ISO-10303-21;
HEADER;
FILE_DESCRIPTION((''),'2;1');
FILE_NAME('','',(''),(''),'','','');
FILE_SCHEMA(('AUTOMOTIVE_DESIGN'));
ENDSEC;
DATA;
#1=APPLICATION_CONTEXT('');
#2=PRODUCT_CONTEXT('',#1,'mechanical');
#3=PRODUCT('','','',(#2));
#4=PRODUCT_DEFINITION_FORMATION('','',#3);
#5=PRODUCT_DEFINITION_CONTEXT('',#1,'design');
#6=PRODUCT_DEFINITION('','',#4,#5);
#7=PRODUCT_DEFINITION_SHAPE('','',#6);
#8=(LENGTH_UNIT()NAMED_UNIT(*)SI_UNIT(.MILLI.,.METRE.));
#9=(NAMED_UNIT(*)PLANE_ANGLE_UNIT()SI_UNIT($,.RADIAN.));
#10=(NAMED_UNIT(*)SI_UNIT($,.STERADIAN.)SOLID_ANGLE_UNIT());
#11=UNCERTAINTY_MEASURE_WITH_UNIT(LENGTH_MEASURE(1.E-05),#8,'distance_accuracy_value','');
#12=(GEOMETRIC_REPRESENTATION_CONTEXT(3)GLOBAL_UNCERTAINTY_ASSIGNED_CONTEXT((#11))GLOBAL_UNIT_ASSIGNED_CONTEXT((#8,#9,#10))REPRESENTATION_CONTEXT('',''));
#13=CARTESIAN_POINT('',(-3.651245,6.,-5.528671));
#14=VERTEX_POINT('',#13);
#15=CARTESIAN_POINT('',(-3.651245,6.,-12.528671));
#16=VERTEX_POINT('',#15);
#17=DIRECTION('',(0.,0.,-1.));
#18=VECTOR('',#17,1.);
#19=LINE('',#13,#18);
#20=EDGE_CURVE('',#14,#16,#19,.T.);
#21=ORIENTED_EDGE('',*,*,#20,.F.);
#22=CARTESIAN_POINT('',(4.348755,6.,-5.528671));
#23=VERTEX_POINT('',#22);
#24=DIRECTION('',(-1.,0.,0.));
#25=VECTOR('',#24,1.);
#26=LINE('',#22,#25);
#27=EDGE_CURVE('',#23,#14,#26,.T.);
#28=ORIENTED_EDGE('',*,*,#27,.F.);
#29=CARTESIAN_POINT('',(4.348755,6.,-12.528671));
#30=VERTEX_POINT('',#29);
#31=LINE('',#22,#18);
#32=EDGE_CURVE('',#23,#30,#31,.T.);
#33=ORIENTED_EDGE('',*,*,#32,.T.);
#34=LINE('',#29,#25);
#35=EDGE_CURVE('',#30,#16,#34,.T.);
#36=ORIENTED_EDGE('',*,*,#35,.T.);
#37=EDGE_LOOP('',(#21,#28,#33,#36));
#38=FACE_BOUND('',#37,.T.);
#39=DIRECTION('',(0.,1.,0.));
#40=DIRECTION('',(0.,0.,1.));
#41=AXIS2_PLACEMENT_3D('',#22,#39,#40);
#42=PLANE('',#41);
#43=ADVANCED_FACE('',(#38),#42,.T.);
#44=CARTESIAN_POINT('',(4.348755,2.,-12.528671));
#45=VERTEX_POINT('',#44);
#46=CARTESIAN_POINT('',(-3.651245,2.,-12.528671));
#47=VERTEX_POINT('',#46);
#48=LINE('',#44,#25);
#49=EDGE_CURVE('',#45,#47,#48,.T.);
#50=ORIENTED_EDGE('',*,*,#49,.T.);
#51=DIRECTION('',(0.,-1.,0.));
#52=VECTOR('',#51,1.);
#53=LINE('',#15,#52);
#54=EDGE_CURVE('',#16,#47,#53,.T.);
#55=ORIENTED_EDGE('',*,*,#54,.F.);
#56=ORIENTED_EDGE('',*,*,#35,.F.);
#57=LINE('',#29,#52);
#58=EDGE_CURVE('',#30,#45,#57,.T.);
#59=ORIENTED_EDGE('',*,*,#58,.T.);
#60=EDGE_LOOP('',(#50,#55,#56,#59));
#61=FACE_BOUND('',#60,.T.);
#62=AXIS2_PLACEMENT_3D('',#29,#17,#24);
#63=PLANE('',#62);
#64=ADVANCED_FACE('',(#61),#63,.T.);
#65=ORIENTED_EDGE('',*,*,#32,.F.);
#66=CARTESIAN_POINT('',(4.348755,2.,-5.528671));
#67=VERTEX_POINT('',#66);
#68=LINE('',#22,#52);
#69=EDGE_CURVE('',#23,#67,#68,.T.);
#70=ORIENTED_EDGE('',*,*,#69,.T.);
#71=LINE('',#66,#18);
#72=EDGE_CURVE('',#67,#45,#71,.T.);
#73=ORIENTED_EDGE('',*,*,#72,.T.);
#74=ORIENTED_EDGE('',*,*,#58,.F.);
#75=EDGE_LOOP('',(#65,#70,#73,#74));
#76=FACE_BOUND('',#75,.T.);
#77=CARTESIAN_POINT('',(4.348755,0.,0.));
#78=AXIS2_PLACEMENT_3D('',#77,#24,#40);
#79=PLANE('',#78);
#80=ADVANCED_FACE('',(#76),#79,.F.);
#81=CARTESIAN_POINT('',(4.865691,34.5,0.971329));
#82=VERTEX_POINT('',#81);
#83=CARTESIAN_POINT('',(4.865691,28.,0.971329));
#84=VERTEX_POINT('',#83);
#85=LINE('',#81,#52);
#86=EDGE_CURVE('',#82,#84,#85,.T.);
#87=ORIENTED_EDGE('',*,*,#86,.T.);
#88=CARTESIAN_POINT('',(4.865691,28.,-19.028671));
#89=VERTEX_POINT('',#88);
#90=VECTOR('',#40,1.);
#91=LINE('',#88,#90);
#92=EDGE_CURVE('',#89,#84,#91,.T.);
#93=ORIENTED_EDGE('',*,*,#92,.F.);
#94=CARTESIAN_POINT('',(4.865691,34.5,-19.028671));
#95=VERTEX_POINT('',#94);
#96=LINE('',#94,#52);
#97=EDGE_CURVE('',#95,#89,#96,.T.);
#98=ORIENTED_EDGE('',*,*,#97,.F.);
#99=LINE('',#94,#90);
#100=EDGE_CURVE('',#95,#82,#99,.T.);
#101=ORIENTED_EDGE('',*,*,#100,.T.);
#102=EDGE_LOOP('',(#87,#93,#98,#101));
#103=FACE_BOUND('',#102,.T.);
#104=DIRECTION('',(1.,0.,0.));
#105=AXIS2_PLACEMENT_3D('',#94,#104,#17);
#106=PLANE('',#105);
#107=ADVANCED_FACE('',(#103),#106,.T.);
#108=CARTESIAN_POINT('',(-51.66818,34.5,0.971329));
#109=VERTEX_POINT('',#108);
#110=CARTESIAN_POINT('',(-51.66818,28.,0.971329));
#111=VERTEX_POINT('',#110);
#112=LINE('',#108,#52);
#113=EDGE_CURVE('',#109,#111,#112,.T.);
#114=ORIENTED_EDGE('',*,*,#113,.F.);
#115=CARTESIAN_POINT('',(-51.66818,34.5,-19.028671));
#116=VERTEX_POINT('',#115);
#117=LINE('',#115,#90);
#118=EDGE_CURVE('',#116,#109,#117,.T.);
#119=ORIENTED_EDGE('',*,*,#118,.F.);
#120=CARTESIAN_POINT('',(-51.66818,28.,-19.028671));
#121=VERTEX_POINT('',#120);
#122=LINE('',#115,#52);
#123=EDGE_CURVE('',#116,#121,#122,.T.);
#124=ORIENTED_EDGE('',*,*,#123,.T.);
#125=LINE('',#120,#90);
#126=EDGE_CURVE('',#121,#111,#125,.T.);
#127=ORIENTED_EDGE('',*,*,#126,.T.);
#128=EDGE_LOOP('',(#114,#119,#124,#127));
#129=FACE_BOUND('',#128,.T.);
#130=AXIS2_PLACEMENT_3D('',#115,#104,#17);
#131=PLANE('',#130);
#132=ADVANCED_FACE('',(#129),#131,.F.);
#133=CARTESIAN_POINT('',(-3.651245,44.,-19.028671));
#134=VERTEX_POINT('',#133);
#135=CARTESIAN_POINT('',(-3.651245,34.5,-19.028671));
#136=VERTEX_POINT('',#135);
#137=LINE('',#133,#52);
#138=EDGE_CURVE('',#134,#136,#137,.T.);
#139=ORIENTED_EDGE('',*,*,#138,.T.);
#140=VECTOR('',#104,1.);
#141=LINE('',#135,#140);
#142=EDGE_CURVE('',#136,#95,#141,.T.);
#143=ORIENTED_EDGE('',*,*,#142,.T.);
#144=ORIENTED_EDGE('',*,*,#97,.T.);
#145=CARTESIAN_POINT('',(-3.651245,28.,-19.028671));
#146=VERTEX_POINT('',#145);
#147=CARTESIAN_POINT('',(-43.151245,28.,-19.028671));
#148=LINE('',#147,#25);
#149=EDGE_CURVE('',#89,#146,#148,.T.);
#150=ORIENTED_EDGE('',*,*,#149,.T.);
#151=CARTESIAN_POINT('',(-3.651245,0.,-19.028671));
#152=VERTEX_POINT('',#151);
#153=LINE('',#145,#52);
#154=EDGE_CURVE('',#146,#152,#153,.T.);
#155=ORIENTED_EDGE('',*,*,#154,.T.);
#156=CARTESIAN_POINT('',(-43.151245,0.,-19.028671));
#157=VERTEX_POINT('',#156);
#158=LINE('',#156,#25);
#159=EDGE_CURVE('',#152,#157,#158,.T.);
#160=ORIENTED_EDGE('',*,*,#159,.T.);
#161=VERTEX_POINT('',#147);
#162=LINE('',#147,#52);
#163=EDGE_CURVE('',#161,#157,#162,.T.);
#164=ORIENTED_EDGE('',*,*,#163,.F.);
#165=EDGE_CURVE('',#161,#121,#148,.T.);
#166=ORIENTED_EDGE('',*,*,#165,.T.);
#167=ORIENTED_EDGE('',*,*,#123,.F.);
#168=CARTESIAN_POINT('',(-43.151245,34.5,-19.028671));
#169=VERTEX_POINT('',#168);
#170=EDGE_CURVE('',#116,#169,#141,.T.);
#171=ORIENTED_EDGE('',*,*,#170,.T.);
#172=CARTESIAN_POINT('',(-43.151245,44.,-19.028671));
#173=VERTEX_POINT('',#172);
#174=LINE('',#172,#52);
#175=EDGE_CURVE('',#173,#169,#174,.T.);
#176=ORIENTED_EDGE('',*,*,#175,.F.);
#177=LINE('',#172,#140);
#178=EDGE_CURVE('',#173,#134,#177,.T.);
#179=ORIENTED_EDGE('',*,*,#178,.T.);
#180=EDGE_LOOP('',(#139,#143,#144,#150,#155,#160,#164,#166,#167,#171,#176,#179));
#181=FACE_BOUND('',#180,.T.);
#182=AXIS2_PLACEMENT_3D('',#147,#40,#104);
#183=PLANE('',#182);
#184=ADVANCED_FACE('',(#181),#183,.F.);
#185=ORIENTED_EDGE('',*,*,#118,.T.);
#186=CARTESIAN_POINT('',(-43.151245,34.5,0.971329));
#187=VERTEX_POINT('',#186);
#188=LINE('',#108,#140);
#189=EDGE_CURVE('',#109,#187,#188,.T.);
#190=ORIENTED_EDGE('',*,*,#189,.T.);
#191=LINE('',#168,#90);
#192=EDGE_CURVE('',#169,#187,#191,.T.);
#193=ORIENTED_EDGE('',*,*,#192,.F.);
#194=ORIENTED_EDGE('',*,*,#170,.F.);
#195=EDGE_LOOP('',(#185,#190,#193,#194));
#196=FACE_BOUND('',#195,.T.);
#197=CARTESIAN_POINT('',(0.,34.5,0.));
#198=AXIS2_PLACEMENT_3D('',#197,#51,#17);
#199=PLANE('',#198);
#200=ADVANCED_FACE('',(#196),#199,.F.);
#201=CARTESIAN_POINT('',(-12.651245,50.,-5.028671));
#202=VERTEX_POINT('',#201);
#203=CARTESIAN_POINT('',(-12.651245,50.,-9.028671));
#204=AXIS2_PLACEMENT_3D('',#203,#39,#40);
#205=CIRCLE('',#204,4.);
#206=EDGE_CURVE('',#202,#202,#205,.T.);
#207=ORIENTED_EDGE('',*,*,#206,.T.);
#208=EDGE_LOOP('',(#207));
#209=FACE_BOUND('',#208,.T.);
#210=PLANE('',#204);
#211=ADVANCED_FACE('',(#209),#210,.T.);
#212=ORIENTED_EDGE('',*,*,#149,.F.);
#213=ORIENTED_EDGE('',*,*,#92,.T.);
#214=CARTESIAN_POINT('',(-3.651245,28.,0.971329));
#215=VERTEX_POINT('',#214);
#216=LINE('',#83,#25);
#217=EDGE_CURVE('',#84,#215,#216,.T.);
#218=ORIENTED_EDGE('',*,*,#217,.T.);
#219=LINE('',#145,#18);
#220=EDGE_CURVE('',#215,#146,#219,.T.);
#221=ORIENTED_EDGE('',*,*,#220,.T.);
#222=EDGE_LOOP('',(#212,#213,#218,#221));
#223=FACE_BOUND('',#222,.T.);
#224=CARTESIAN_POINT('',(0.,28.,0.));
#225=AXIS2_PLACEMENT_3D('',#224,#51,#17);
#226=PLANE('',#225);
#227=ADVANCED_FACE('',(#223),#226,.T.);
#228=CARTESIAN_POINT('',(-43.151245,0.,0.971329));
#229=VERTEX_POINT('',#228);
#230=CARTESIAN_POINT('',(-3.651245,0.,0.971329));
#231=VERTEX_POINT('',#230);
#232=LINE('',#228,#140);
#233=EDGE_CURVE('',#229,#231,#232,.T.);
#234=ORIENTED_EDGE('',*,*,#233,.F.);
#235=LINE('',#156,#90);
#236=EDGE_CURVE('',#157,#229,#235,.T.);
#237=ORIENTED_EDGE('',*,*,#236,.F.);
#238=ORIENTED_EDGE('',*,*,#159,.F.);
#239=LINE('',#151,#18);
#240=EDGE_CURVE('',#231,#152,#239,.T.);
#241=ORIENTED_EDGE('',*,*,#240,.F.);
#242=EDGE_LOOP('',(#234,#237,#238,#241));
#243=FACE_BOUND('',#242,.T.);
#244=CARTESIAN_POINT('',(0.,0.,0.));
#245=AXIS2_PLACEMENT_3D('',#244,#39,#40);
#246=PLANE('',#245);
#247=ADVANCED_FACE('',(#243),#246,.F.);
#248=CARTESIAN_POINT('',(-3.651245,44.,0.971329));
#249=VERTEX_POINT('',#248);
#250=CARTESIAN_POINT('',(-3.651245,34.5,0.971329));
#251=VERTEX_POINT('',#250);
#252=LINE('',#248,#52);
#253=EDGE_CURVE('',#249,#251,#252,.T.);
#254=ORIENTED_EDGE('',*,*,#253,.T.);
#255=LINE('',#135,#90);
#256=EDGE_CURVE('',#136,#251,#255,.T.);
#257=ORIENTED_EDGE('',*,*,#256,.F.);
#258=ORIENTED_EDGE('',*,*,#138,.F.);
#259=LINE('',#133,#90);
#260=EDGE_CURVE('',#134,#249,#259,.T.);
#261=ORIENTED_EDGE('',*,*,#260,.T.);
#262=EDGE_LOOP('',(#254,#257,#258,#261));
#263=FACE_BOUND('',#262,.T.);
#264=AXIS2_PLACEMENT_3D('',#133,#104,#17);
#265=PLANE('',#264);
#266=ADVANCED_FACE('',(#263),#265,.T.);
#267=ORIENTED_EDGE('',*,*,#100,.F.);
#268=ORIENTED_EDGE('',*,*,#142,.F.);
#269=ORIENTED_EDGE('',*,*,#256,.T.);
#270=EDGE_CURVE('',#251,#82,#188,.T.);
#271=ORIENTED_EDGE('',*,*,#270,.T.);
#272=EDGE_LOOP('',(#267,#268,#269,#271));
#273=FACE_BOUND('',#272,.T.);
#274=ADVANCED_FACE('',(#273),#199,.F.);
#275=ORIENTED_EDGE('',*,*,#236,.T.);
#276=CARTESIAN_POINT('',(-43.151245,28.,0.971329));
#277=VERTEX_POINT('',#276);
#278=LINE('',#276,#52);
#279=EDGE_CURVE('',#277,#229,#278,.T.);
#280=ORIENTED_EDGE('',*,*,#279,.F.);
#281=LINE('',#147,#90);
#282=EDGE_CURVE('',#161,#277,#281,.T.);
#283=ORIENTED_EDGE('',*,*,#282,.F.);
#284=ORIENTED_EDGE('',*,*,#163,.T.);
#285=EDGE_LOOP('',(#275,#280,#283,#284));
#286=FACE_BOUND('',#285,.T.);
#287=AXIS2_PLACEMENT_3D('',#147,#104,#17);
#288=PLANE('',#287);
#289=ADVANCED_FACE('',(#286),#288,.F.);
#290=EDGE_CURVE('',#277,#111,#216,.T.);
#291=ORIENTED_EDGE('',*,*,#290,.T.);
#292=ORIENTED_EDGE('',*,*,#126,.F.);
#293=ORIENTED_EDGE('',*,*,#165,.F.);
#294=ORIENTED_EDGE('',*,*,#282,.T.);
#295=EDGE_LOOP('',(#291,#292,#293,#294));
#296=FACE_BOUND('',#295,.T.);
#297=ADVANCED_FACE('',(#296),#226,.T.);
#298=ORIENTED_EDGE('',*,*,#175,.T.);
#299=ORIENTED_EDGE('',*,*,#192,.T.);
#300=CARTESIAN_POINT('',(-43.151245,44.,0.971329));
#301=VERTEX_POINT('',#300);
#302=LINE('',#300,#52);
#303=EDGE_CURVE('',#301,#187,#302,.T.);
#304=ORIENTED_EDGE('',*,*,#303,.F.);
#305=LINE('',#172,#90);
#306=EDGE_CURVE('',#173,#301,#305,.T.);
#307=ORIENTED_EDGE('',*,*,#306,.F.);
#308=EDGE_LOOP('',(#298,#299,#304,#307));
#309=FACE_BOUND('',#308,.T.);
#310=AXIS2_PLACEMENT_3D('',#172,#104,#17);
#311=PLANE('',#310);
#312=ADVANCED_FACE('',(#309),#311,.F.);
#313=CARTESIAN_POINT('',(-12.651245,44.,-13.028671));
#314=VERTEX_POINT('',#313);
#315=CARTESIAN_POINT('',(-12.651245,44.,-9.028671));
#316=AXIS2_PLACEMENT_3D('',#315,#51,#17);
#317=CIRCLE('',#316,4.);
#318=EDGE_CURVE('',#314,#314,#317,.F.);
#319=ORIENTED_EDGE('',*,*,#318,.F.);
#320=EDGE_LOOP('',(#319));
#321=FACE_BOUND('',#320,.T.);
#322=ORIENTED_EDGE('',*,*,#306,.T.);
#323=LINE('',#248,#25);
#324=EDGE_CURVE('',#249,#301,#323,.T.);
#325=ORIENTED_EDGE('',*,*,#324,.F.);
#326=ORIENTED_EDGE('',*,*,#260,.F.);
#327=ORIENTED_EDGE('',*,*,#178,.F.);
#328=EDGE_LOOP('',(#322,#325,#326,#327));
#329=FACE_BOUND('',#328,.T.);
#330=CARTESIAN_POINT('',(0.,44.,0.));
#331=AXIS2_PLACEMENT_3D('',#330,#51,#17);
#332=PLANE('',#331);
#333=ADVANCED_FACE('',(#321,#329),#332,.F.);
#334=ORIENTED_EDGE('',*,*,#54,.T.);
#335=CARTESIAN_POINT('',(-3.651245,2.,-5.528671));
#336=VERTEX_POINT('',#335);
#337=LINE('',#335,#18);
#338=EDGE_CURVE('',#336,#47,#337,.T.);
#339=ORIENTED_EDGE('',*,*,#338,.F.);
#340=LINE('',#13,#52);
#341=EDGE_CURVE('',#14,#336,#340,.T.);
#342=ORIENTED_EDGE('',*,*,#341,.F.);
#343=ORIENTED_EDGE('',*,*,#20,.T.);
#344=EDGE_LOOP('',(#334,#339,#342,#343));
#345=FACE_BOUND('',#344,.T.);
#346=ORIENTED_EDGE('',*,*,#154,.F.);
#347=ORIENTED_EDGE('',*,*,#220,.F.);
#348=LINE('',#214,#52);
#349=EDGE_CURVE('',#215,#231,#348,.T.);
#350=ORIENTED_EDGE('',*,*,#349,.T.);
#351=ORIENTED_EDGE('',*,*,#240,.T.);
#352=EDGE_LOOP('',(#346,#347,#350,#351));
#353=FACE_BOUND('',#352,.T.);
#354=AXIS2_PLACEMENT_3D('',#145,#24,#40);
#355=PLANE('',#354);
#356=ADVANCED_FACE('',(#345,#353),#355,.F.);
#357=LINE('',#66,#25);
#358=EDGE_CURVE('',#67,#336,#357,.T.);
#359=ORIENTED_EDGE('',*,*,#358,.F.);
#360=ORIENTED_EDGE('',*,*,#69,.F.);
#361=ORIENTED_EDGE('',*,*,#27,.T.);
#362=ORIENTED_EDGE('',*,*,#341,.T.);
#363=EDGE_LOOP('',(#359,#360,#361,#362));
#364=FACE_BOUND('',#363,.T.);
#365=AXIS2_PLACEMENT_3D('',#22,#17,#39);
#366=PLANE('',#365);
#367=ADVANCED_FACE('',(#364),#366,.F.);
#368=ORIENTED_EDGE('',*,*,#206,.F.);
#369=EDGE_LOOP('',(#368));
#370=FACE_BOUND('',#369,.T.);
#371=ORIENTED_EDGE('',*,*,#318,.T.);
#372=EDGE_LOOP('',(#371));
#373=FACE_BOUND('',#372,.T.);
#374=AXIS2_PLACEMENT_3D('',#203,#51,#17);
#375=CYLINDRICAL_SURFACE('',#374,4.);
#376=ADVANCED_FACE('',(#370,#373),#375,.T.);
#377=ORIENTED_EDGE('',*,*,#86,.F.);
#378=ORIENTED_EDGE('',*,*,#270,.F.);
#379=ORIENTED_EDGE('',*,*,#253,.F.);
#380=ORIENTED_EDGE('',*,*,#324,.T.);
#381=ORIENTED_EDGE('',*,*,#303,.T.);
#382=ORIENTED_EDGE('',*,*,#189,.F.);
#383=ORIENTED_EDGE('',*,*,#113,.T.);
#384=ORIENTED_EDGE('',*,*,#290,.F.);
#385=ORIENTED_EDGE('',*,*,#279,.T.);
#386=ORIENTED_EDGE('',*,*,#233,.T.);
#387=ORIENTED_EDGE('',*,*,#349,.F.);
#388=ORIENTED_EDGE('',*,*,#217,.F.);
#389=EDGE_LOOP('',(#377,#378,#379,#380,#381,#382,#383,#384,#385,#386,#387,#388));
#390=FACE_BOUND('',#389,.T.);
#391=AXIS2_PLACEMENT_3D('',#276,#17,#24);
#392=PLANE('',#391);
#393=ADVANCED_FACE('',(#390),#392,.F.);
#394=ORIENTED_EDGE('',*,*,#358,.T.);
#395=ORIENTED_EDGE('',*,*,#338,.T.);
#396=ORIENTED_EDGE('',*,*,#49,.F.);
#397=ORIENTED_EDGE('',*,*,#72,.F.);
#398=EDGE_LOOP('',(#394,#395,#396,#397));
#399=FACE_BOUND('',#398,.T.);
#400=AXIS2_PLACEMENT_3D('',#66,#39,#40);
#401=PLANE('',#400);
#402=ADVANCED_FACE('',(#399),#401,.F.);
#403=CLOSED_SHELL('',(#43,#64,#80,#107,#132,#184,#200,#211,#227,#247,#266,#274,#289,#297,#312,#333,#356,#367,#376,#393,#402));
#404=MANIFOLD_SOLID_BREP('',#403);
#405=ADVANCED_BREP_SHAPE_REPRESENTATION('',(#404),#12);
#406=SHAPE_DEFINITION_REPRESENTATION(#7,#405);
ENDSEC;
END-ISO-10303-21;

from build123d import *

# Parameters (mm, degrees)
SKETCH1_W           = 39.5
SKETCH1_H           = 20
BOSS_EXTRUDE1_DEPTH = 28
BOSS_EXTRUDE2_DEPTH = 6.5
SKETCH3_W           = 39.5
SKETCH3_H           = 20
BOSS_EXTRUDE3_DEPTH = 9.5
SKETCH4_R           = 4
BOSS_EXTRUDE4_DEPTH = 6
SKETCH5_W           = 7
SKETCH5_H           = 4
BOSS_EXTRUDE5_DEPTH = 8


with BuildPart() as part:
    # Sketch1 → Boss-Extrude1 (new body)
    with BuildSketch(Plane(origin=(0, 0, 0), x_dir=(1, 0, 0), z_dir=(0, 1, 0))):
        with Locations((-23.401244555, 9.028670505)):
            Rectangle(SKETCH1_W, SKETCH1_H)
    extrude(amount=BOSS_EXTRUDE1_DEPTH)

    # Sketch2 → Boss-Extrude2 (add)
    with BuildSketch(Plane(origin=(0, 28, 0), x_dir=(1, 0, 0), z_dir=(0, 1, 0))):
        Polygon((-43.151244555, 19.028670505), (-51.668180021, 19.028670505), (-51.668180021, -0.971329495), (-43.151244555, -0.971329495), (-3.651244555, -0.971329495), (4.86569091, -0.971329495), (4.86569091, 19.028670505), (-3.651244555, 19.028670505), align=None)
    extrude(amount=BOSS_EXTRUDE2_DEPTH)

    # Sketch3 → Boss-Extrude3 (add)
    with BuildSketch(Plane(origin=(0, 34.5, 0), x_dir=(1, 0, 0), z_dir=(0, 1, 0))):
        with Locations((-23.401244555, 9.028670505)):
            Rectangle(SKETCH3_W, SKETCH3_H)
    extrude(amount=BOSS_EXTRUDE3_DEPTH)

    # Sketch4 → Boss-Extrude4 (add)
    with BuildSketch(Plane(origin=(0, 44, 0), x_dir=(1, 0, 0), z_dir=(0, 1, 0))):
        with Locations(Location((-12.651244555, 9.028670505, 0), (0, 0, 90))):
            Circle(SKETCH4_R)
    extrude(amount=BOSS_EXTRUDE4_DEPTH)

    # Sketch5 → Boss-Extrude5 (add)
    with BuildSketch(Plane(origin=(-3.651244555, 0, 0), x_dir=(0, 0, -1), z_dir=(1, 0, 0))):
        with Locations((9.028670505, 4)):
            Rectangle(SKETCH5_W, SKETCH5_H)
    extrude(amount=BOSS_EXTRUDE5_DEPTH)


solid = part.part
